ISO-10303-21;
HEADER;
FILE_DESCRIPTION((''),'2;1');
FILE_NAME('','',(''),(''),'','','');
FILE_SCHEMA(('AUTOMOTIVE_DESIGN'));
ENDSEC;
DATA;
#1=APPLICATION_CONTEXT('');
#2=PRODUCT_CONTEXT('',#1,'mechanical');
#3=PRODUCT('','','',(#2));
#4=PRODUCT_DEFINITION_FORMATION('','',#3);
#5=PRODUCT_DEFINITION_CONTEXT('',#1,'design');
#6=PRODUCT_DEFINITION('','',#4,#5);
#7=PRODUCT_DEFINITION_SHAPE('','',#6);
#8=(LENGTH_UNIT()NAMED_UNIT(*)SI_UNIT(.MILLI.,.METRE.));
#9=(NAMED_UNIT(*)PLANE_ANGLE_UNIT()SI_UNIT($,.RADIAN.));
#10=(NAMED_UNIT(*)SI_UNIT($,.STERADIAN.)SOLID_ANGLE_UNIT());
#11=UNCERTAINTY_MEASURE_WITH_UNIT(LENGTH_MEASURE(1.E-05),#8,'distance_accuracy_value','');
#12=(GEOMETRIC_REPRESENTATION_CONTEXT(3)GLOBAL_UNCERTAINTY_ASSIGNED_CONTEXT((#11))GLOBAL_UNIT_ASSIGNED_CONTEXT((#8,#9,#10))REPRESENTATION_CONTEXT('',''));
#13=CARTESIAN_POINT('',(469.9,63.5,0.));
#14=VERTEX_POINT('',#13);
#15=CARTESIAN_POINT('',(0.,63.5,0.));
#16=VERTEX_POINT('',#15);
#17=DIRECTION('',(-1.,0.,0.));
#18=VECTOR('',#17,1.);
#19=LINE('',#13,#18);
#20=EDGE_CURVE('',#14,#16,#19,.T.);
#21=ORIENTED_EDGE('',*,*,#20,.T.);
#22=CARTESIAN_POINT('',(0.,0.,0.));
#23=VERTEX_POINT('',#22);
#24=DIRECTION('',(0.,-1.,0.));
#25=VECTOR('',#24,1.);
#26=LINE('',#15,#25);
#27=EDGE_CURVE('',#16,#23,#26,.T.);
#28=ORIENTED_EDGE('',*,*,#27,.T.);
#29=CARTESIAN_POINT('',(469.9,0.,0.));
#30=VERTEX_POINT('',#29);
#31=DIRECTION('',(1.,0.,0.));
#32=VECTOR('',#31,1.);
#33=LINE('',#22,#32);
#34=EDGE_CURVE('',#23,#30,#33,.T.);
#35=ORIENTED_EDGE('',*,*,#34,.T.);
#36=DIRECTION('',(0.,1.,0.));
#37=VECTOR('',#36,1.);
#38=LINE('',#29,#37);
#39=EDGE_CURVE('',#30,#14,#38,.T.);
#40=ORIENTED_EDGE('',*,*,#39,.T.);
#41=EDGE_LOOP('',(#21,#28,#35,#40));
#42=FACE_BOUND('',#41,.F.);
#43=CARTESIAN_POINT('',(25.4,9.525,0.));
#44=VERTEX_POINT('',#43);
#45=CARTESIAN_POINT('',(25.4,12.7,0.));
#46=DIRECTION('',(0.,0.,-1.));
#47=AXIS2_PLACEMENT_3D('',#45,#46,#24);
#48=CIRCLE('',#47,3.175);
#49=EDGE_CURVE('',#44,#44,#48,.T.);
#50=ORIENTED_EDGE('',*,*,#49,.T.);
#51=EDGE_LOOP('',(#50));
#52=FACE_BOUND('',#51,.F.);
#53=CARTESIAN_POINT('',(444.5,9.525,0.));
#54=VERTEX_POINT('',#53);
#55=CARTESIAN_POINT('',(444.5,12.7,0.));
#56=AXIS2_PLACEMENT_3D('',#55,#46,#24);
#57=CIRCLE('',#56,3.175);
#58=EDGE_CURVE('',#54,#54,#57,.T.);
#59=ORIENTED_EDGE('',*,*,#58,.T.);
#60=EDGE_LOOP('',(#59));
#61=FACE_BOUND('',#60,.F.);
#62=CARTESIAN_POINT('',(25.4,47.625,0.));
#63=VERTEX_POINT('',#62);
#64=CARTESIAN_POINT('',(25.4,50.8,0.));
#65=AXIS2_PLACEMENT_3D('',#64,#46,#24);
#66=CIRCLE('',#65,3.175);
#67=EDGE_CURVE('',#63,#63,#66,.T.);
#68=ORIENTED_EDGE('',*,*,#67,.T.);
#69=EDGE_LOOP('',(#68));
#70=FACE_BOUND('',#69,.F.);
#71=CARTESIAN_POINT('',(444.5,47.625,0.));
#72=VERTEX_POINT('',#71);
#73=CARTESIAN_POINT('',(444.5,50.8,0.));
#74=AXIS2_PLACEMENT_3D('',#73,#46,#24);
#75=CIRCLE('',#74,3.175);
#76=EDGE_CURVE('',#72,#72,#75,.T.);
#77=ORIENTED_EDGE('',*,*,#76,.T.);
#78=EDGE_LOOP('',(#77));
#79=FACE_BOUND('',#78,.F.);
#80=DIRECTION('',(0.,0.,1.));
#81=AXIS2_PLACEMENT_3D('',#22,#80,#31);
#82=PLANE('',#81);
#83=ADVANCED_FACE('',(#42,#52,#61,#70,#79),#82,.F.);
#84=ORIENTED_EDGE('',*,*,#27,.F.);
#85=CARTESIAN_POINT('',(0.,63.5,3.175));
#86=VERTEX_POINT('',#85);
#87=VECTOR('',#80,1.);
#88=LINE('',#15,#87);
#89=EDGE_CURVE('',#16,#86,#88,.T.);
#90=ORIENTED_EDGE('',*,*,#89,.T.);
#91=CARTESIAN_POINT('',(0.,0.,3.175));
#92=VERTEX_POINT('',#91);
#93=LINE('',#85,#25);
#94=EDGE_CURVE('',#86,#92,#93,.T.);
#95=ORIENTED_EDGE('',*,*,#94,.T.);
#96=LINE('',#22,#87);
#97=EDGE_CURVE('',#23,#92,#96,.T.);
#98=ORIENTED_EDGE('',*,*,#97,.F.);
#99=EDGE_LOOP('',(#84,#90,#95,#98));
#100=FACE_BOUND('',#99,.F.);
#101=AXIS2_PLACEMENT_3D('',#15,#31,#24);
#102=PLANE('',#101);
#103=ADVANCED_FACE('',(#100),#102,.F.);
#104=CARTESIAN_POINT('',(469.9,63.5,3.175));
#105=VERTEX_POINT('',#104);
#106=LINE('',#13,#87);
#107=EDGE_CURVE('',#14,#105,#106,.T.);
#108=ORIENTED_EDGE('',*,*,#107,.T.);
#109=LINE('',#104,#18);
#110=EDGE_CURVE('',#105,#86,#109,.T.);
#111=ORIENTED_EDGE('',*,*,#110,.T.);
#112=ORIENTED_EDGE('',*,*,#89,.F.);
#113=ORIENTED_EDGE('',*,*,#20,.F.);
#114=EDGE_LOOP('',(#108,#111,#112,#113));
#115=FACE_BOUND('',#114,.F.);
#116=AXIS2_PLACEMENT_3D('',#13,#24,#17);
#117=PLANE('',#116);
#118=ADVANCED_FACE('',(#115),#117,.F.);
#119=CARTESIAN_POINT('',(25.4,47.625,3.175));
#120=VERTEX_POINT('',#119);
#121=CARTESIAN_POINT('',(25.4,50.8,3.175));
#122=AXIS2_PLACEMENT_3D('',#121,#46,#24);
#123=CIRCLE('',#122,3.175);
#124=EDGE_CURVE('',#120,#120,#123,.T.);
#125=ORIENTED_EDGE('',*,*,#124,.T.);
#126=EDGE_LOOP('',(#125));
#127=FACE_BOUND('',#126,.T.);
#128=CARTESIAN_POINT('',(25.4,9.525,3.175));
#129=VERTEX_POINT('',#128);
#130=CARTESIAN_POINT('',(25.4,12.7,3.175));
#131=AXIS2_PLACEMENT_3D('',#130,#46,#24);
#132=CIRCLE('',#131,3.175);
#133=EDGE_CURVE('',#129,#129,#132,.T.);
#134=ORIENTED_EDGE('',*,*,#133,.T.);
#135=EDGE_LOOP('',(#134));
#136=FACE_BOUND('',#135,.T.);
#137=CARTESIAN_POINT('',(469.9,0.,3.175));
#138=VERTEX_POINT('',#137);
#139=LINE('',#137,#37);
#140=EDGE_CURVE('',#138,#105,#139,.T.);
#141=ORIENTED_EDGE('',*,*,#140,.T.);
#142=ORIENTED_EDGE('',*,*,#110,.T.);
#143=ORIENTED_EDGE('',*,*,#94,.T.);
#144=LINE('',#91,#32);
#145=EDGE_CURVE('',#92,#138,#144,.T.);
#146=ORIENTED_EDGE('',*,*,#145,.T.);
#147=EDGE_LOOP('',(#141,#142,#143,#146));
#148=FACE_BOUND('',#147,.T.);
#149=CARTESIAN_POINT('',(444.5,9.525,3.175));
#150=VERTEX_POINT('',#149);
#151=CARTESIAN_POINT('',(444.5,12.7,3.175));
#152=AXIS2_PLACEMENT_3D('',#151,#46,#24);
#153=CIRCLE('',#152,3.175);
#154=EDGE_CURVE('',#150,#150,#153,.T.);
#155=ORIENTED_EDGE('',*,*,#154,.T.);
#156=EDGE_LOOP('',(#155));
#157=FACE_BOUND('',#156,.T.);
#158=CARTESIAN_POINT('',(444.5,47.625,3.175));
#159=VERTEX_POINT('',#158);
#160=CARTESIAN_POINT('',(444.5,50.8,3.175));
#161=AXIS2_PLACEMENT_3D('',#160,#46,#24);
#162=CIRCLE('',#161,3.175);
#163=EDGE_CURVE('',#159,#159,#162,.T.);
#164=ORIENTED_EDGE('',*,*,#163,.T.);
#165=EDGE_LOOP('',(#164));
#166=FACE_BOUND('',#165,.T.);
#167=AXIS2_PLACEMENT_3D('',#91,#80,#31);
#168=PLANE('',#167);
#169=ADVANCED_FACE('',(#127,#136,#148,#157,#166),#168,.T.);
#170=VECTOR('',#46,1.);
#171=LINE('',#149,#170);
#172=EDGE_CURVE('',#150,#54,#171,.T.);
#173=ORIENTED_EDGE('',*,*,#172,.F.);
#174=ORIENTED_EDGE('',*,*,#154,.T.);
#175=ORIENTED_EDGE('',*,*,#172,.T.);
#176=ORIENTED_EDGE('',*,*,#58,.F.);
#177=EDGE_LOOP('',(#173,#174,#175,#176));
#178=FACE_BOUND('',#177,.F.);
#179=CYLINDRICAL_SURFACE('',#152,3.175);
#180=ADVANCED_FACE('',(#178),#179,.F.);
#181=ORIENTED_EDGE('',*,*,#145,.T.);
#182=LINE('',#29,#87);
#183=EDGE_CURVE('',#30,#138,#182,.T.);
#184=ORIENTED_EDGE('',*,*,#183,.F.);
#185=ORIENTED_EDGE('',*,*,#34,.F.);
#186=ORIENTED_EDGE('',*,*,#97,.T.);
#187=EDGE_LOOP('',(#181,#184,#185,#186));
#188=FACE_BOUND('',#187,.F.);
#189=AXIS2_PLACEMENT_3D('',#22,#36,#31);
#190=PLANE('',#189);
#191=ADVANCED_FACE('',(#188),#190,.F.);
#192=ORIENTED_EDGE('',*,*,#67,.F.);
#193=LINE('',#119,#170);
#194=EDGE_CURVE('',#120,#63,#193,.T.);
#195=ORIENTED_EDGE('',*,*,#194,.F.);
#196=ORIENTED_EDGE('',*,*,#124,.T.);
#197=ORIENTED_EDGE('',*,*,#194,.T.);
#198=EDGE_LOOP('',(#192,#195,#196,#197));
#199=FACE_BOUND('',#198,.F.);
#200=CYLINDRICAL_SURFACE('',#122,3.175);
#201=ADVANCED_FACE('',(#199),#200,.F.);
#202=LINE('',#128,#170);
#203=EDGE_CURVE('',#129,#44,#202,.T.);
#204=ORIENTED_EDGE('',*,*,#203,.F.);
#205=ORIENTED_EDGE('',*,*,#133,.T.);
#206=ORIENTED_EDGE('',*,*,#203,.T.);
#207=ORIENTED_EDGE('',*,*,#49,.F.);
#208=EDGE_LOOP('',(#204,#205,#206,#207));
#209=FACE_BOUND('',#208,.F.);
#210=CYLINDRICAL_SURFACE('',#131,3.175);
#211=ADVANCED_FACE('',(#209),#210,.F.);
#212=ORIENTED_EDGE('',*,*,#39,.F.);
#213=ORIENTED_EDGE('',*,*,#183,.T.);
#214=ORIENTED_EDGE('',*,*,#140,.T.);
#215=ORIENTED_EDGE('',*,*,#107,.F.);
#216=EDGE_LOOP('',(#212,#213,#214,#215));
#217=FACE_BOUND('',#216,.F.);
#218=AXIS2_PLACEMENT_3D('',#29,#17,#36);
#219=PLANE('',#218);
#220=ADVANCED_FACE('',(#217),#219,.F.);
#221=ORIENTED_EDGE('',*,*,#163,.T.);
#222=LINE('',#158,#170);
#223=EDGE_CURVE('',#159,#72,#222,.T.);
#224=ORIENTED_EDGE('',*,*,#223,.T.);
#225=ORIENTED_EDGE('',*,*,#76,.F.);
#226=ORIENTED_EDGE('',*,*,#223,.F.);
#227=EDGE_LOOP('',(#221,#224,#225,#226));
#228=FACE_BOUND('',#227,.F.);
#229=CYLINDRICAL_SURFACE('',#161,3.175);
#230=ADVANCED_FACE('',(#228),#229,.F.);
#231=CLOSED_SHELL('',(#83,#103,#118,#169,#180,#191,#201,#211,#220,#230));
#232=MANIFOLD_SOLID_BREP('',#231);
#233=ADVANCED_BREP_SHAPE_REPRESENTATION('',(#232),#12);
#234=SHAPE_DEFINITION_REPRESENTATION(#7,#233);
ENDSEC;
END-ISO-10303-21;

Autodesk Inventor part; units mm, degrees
ref_plane "YZ Plane" through (0, 0, 0) normal (1, 0, 0) x (0, 1, 0)
ref_plane "XZ Plane" through (0, 0, 0) normal (0, 1, 0) x (-1, 0, 0)
ref_plane "XY Plane" through (0, 0, 0) normal (0, 0, 1) x (1, 0, 0)
sketch "Sketch1" plane through (0, 0, 0) normal (0, 0, 1) x (1, 0, 0)
  line L0 (0, 0) -> (469.9, 0)
  line L1 (469.9, 0) -> (469.9, 63.5)
  line L2 (469.9, 63.5) -> (0, 63.5)
  line L3 (0, 63.5) -> (0, 0)
  dimension "d0" = 469.9
  dimension "d1" = 63.5
extrude "Extrusion1" add sketch "Sketch1" along normal blind 3.175
sketch "Sketch2" plane through (0, 0, 3.175) normal (0, 0, 1) x (1, 0, 0)
  line L0 (0, 0) -> (469.9, 0) projected
  line L1 (469.9, 0) -> (469.9, 63.5) projected
  line L2 (469.9, 63.5) -> (0, 63.5) projected
  line L3 (0, 63.5) -> (0, 0) projected
  point P0 (25.4, 50.8)
  point P1 (25.4, 12.7)
  point P2 (444.5, 12.7)
  point P3 (444.5, 50.8)
  dimension "d4" = 25.4
  dimension "d6" = 12.7
  dimension "d7" = 25.4
  dimension "d9" = 25.4
  dimension "d10" = 25.4
  dimension "d11" = 12.7
  dimension "d19" = 50.8
  dimension "d20" = 50.8
hole "Hole1" at (25.4, 50.8, 3.175) at (25.4, 12.7, 3.175) at (444.5, 12.7, 3.175) at (444.5, 50.8, 3.175) direction (0, 0, -1) diameter 6.35 end through all
properties part number "polycarb back"
